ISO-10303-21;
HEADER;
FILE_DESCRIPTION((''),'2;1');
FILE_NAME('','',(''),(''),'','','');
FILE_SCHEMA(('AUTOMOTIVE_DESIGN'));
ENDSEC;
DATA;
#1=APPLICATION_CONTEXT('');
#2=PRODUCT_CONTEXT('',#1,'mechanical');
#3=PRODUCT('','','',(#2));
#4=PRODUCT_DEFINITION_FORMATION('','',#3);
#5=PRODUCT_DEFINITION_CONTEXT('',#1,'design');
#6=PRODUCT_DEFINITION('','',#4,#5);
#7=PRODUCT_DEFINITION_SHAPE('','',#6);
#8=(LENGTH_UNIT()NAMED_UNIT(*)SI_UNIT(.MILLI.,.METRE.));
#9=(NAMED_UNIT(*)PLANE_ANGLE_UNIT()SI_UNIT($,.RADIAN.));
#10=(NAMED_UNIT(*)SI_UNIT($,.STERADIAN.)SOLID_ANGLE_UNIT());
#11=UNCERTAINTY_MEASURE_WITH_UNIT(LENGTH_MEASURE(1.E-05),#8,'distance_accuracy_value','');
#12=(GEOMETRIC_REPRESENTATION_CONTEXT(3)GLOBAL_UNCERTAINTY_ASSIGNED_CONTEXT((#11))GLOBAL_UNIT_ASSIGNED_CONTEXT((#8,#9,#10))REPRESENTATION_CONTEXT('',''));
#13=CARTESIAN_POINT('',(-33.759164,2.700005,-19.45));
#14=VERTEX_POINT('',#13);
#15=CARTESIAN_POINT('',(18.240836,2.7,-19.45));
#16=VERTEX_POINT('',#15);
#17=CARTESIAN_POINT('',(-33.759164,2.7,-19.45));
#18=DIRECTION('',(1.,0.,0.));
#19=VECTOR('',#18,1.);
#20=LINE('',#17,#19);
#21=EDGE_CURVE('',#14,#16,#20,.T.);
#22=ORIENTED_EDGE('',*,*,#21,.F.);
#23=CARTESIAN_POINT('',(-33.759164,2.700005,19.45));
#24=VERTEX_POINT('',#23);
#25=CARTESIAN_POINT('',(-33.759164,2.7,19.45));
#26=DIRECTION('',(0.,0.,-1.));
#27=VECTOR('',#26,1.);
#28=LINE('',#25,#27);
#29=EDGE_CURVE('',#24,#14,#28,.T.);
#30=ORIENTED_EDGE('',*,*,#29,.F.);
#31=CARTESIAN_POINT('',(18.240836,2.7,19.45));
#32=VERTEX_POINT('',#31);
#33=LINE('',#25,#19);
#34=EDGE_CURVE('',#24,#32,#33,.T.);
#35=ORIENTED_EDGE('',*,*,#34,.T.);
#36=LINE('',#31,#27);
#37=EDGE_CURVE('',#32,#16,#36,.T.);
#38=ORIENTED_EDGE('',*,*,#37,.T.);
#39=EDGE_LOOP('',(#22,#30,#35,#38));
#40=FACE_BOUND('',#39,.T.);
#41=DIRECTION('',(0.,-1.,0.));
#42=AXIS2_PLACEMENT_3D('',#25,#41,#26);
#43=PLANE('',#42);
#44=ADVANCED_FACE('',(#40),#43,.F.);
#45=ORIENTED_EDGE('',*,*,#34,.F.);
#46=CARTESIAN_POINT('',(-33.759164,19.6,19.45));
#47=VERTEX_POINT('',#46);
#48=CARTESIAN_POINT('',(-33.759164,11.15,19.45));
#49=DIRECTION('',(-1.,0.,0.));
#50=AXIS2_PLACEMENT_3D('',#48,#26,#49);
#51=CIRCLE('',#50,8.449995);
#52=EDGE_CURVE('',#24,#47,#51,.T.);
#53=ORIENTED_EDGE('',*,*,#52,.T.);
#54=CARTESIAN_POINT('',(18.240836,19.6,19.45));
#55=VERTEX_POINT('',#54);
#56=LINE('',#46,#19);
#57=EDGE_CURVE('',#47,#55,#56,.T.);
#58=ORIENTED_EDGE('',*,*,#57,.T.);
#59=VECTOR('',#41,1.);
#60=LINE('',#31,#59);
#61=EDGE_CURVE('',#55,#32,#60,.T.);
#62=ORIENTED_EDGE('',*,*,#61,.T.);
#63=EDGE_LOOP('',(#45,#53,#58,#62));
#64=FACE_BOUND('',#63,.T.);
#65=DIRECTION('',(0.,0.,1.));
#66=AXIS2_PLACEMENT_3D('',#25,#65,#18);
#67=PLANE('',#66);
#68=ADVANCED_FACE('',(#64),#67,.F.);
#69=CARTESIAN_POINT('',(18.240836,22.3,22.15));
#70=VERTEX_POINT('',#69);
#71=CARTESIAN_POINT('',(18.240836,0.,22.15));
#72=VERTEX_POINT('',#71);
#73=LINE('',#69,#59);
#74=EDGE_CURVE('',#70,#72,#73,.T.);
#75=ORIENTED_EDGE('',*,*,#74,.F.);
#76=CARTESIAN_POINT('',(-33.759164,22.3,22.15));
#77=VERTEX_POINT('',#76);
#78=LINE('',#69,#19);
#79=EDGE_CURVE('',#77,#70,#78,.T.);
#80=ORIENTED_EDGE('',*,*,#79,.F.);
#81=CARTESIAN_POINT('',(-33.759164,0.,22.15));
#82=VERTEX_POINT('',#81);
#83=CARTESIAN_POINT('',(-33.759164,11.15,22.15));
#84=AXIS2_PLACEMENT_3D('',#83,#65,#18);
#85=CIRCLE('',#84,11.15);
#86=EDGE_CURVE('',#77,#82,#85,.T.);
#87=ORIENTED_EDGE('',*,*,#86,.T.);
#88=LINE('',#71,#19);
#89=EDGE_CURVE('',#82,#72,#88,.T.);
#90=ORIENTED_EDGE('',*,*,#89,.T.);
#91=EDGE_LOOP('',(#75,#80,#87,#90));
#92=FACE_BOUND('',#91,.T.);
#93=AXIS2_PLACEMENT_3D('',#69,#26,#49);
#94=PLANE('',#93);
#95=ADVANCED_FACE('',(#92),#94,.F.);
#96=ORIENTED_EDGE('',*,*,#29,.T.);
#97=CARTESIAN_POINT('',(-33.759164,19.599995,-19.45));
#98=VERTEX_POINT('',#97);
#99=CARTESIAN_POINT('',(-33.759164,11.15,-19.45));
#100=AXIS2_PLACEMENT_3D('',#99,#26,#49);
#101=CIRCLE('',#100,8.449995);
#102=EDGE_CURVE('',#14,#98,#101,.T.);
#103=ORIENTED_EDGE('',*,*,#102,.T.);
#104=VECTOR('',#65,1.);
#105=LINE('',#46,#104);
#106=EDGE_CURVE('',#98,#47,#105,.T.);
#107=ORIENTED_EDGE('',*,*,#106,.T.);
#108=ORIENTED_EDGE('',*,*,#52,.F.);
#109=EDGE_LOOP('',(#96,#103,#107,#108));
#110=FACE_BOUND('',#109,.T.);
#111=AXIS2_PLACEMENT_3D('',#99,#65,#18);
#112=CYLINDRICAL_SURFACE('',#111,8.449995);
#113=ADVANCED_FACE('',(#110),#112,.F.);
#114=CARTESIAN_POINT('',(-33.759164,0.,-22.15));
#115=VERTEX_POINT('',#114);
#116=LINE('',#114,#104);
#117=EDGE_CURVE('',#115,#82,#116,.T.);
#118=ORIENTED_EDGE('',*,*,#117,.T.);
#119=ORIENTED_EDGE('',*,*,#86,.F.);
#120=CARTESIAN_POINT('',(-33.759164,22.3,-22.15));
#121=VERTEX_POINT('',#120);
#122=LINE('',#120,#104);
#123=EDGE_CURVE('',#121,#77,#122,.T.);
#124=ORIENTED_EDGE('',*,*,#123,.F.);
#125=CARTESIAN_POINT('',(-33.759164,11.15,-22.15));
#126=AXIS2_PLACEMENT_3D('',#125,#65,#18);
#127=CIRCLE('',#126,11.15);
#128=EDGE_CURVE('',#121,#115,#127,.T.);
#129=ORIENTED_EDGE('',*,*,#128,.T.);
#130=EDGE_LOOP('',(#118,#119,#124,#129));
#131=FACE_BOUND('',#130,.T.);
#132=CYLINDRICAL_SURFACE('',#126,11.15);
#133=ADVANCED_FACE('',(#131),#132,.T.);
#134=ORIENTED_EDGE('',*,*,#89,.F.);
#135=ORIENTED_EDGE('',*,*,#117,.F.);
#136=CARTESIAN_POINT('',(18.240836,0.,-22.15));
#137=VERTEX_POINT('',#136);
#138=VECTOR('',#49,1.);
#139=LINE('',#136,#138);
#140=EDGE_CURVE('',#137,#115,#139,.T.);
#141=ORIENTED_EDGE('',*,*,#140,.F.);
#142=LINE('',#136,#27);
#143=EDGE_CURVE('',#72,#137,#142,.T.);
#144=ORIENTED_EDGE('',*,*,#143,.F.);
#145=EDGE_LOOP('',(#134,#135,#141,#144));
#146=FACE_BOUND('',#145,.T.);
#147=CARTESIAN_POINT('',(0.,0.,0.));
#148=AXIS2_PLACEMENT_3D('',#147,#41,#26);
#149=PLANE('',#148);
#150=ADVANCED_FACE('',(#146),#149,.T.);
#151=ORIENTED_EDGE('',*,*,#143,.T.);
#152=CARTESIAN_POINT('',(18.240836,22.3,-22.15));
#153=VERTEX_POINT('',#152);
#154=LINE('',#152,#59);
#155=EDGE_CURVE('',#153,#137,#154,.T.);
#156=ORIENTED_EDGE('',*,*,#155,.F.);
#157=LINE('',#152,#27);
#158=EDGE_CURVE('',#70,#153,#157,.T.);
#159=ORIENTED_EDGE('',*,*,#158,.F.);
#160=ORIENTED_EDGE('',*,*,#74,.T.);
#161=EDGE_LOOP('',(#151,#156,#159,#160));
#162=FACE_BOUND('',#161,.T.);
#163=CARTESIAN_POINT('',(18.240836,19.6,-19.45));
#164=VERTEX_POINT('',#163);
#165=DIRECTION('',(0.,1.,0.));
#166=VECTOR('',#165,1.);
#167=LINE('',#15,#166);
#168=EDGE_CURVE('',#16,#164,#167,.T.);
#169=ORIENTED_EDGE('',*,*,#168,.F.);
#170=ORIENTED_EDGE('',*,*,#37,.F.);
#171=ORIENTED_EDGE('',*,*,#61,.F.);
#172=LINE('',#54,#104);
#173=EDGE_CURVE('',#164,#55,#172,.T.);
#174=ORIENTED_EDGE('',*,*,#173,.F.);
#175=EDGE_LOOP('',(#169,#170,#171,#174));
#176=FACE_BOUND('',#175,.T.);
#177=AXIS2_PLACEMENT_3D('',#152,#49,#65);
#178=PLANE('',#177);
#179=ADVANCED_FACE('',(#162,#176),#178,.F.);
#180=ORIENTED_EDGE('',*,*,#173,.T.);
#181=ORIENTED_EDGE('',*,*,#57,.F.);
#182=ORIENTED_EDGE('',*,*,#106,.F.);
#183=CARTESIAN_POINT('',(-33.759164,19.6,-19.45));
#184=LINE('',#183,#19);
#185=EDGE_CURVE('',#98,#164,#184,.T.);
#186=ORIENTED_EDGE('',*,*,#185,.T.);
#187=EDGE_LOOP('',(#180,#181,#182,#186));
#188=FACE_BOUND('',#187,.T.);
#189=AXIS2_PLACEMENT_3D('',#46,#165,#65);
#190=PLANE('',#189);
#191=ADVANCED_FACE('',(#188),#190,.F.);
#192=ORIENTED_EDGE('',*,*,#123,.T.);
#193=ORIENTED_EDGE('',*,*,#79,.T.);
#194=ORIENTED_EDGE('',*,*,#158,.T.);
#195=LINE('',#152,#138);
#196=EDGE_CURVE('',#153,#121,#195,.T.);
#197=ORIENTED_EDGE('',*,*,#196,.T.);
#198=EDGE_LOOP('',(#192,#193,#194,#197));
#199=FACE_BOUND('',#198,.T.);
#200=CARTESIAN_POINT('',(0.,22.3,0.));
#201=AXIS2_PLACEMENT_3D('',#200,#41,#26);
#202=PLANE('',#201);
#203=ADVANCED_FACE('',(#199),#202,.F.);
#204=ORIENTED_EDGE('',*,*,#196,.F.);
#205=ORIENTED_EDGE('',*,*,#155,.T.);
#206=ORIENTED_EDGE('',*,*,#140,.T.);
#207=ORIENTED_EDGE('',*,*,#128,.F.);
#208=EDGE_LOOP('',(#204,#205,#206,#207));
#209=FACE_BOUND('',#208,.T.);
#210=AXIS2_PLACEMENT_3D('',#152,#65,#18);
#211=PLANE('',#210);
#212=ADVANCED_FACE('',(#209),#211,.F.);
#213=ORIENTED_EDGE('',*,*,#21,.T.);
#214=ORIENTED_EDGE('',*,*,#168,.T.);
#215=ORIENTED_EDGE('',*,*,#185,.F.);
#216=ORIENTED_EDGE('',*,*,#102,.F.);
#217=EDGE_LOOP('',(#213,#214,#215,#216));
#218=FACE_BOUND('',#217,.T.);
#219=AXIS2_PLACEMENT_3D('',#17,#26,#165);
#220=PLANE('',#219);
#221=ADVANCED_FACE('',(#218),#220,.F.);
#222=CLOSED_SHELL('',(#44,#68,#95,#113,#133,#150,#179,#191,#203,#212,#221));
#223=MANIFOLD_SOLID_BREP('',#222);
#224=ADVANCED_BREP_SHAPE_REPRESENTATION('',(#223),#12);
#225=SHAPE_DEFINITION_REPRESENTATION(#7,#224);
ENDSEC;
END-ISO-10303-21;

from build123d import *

# Parameters (mm, degrees)
ESQUISSE1_W             = 52
ESQUISSE1_H             = 44.3
BOSS_EXTRU_1_DEPTH      = 22.3
ESQUISSE4_W             = 38.9
ESQUISSE4_H             = 16.9
ENL_V_MAT_EXTRU_2_DEPTH = 52
BOSS_EXTRU_3_DEPTH      = 44.3
ENL_V_MAT_EXTRU_4_DEPTH = 38.9


with BuildPart() as part:
    # Esquisse1 → Boss.-Extru.1 (new body)
    with BuildSketch(Plane(origin=(0, 0, 0), x_dir=(1, 0, 0), z_dir=(0, 1, 0))):
        with Locations((-7.759163987, 0)):
            Rectangle(ESQUISSE1_W, ESQUISSE1_H)
    extrude(amount=BOSS_EXTRU_1_DEPTH)

    # Esquisse4 → Enlèv. mat.-Extru.2 (cut)
    with BuildSketch(Plane(origin=(18.240836013, 0, 0), x_dir=(0, 0, -1), z_dir=(1, 0, 0))):
        with Locations((0, 11.15)):
            Rectangle(ESQUISSE4_W, ESQUISSE4_H)
    extrude(amount=-ENL_V_MAT_EXTRU_2_DEPTH, mode=Mode.SUBTRACT)

    # Esquisse5 → Boss.-Extru.3 (add)
    with BuildSketch(Plane.XY.offset(22.15)):
        with BuildLine():
            Line((-33.759163987, 22.3), (-33.759163987, 0))
            ThreePointArc((-33.759163987, 0), (-44.909163987, 11.15), (-33.759163987, 22.3))
        make_face()
    extrude(amount=-BOSS_EXTRU_3_DEPTH)

    # Esquisse8 → Enlèv. mat.-Extru.4 (cut)
    with BuildSketch(Plane(origin=(0, 0, 19.45), x_dir=(-1, 0, 0), z_dir=(0, 0, -1))):
        with BuildLine():
            Line((33.759163987, 2.700004998), (33.759163987, 19.599995002))
            ThreePointArc((33.759163987, 19.599995002), (42.209158989, 11.15), (33.759163987, 2.700004998))
        make_face()
    extrude(amount=ENL_V_MAT_EXTRU_4_DEPTH, mode=Mode.SUBTRACT)


solid = part.part
